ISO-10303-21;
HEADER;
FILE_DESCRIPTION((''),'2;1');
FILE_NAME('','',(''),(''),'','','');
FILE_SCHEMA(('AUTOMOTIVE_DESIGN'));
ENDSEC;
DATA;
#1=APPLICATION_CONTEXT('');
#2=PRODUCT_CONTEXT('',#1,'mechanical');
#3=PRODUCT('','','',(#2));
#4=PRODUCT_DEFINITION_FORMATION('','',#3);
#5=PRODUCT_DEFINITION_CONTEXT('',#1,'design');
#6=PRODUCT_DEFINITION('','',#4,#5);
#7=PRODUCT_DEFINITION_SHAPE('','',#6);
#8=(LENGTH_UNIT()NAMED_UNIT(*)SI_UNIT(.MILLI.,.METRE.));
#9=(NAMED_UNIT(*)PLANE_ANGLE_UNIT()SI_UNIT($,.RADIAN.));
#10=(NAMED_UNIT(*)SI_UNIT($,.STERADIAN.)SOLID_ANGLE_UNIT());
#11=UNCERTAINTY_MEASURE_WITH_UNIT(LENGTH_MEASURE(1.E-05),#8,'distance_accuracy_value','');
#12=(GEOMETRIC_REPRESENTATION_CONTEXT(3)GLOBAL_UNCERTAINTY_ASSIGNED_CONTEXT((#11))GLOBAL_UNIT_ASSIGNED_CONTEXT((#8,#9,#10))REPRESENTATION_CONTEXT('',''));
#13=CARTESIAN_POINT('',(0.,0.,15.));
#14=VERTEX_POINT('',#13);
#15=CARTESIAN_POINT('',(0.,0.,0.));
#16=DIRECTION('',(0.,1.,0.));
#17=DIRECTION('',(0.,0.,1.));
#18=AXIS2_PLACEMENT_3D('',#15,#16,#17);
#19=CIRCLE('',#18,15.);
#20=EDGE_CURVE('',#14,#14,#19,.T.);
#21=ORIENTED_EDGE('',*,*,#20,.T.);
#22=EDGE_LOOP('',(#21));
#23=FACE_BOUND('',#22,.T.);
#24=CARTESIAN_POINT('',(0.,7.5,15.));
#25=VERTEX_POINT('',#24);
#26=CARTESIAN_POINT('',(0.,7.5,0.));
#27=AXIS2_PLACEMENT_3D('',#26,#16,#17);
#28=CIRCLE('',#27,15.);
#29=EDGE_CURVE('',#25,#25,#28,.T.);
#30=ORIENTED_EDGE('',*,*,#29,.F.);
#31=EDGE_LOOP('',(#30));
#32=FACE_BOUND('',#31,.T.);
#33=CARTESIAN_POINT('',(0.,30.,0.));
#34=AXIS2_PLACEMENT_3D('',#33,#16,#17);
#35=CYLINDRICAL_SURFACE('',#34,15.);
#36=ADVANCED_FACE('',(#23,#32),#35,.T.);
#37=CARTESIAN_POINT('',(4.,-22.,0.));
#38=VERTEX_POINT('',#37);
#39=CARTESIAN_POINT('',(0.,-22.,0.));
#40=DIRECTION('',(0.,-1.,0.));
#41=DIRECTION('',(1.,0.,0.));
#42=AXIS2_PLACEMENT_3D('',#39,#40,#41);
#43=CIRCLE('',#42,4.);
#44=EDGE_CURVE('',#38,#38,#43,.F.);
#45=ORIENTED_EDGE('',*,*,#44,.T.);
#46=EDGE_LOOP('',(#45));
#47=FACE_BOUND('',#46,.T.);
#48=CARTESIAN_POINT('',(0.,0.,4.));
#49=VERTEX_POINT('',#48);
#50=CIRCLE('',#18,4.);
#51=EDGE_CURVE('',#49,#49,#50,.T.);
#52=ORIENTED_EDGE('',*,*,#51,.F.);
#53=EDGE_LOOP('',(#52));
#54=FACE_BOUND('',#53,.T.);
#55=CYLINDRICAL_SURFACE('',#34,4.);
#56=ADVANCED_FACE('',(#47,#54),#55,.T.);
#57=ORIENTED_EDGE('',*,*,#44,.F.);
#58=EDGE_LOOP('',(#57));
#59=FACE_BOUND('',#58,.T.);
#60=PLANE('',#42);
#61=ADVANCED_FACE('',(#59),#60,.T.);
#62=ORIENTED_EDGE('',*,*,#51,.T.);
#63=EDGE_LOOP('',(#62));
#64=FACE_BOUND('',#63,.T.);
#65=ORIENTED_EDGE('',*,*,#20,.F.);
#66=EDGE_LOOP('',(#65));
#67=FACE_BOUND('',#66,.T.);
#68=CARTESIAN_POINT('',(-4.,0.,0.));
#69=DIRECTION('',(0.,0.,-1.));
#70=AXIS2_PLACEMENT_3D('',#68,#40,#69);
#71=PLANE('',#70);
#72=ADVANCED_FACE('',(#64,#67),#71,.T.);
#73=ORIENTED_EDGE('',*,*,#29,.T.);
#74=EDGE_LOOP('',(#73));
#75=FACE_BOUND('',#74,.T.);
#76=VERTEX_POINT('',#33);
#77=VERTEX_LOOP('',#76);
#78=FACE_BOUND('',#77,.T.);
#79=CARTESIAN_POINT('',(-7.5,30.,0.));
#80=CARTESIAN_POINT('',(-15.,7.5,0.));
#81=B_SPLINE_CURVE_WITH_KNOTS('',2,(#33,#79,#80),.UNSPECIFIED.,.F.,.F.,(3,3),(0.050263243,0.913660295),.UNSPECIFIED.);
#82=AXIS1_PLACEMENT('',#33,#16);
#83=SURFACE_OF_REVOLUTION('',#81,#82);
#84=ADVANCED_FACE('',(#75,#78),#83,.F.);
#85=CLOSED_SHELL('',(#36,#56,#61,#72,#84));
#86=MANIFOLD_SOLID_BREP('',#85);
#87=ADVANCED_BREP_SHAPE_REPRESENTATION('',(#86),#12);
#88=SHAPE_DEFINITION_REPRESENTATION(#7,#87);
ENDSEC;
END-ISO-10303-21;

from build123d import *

# Parameters (mm, degrees)
SKETCH2_R     = 8.953574076
POSTCUT_DEPTH = 3


with BuildPart() as part:
    # Sketch1 → Revolve1 (revolve)
    with BuildSketch(Plane.XY, mode=Mode.PRIVATE) as revolve1_sk:
        with BuildLine():
            Line((0, 30), (0, 0))
            Line((0, 0), (0, -25))
            Line((0, -25), (-4, -25))
            Line((-4, -25), (-4, 0))
            Line((-4, 0), (-15, 0))
            Line((-15, 0), (-15, 7.5))
            add(Edge.make_bspline(
                [(-15, 7.5), (-7.5, 30), (0, 30)],
                knots=[0.050263243, 0.050263243, 0.050263243, 0.913660295, 0.913660295, 0.913660295], degree=2))
        make_face()
    revolve(revolve1_sk.sketch.rotate(Axis((0, 30, 0), (0, -1, 0)), 270), axis=Axis((0, 30, 0), (0, -1, 0)))

    # Sketch2 → PostCut (cut)
    with BuildSketch(Plane(origin=(0, -25, 0), x_dir=(-1, 0, 0), z_dir=(0, -1, 0))):
        Circle(SKETCH2_R)
    extrude(amount=-POSTCUT_DEPTH, mode=Mode.SUBTRACT)


solid = part.part
